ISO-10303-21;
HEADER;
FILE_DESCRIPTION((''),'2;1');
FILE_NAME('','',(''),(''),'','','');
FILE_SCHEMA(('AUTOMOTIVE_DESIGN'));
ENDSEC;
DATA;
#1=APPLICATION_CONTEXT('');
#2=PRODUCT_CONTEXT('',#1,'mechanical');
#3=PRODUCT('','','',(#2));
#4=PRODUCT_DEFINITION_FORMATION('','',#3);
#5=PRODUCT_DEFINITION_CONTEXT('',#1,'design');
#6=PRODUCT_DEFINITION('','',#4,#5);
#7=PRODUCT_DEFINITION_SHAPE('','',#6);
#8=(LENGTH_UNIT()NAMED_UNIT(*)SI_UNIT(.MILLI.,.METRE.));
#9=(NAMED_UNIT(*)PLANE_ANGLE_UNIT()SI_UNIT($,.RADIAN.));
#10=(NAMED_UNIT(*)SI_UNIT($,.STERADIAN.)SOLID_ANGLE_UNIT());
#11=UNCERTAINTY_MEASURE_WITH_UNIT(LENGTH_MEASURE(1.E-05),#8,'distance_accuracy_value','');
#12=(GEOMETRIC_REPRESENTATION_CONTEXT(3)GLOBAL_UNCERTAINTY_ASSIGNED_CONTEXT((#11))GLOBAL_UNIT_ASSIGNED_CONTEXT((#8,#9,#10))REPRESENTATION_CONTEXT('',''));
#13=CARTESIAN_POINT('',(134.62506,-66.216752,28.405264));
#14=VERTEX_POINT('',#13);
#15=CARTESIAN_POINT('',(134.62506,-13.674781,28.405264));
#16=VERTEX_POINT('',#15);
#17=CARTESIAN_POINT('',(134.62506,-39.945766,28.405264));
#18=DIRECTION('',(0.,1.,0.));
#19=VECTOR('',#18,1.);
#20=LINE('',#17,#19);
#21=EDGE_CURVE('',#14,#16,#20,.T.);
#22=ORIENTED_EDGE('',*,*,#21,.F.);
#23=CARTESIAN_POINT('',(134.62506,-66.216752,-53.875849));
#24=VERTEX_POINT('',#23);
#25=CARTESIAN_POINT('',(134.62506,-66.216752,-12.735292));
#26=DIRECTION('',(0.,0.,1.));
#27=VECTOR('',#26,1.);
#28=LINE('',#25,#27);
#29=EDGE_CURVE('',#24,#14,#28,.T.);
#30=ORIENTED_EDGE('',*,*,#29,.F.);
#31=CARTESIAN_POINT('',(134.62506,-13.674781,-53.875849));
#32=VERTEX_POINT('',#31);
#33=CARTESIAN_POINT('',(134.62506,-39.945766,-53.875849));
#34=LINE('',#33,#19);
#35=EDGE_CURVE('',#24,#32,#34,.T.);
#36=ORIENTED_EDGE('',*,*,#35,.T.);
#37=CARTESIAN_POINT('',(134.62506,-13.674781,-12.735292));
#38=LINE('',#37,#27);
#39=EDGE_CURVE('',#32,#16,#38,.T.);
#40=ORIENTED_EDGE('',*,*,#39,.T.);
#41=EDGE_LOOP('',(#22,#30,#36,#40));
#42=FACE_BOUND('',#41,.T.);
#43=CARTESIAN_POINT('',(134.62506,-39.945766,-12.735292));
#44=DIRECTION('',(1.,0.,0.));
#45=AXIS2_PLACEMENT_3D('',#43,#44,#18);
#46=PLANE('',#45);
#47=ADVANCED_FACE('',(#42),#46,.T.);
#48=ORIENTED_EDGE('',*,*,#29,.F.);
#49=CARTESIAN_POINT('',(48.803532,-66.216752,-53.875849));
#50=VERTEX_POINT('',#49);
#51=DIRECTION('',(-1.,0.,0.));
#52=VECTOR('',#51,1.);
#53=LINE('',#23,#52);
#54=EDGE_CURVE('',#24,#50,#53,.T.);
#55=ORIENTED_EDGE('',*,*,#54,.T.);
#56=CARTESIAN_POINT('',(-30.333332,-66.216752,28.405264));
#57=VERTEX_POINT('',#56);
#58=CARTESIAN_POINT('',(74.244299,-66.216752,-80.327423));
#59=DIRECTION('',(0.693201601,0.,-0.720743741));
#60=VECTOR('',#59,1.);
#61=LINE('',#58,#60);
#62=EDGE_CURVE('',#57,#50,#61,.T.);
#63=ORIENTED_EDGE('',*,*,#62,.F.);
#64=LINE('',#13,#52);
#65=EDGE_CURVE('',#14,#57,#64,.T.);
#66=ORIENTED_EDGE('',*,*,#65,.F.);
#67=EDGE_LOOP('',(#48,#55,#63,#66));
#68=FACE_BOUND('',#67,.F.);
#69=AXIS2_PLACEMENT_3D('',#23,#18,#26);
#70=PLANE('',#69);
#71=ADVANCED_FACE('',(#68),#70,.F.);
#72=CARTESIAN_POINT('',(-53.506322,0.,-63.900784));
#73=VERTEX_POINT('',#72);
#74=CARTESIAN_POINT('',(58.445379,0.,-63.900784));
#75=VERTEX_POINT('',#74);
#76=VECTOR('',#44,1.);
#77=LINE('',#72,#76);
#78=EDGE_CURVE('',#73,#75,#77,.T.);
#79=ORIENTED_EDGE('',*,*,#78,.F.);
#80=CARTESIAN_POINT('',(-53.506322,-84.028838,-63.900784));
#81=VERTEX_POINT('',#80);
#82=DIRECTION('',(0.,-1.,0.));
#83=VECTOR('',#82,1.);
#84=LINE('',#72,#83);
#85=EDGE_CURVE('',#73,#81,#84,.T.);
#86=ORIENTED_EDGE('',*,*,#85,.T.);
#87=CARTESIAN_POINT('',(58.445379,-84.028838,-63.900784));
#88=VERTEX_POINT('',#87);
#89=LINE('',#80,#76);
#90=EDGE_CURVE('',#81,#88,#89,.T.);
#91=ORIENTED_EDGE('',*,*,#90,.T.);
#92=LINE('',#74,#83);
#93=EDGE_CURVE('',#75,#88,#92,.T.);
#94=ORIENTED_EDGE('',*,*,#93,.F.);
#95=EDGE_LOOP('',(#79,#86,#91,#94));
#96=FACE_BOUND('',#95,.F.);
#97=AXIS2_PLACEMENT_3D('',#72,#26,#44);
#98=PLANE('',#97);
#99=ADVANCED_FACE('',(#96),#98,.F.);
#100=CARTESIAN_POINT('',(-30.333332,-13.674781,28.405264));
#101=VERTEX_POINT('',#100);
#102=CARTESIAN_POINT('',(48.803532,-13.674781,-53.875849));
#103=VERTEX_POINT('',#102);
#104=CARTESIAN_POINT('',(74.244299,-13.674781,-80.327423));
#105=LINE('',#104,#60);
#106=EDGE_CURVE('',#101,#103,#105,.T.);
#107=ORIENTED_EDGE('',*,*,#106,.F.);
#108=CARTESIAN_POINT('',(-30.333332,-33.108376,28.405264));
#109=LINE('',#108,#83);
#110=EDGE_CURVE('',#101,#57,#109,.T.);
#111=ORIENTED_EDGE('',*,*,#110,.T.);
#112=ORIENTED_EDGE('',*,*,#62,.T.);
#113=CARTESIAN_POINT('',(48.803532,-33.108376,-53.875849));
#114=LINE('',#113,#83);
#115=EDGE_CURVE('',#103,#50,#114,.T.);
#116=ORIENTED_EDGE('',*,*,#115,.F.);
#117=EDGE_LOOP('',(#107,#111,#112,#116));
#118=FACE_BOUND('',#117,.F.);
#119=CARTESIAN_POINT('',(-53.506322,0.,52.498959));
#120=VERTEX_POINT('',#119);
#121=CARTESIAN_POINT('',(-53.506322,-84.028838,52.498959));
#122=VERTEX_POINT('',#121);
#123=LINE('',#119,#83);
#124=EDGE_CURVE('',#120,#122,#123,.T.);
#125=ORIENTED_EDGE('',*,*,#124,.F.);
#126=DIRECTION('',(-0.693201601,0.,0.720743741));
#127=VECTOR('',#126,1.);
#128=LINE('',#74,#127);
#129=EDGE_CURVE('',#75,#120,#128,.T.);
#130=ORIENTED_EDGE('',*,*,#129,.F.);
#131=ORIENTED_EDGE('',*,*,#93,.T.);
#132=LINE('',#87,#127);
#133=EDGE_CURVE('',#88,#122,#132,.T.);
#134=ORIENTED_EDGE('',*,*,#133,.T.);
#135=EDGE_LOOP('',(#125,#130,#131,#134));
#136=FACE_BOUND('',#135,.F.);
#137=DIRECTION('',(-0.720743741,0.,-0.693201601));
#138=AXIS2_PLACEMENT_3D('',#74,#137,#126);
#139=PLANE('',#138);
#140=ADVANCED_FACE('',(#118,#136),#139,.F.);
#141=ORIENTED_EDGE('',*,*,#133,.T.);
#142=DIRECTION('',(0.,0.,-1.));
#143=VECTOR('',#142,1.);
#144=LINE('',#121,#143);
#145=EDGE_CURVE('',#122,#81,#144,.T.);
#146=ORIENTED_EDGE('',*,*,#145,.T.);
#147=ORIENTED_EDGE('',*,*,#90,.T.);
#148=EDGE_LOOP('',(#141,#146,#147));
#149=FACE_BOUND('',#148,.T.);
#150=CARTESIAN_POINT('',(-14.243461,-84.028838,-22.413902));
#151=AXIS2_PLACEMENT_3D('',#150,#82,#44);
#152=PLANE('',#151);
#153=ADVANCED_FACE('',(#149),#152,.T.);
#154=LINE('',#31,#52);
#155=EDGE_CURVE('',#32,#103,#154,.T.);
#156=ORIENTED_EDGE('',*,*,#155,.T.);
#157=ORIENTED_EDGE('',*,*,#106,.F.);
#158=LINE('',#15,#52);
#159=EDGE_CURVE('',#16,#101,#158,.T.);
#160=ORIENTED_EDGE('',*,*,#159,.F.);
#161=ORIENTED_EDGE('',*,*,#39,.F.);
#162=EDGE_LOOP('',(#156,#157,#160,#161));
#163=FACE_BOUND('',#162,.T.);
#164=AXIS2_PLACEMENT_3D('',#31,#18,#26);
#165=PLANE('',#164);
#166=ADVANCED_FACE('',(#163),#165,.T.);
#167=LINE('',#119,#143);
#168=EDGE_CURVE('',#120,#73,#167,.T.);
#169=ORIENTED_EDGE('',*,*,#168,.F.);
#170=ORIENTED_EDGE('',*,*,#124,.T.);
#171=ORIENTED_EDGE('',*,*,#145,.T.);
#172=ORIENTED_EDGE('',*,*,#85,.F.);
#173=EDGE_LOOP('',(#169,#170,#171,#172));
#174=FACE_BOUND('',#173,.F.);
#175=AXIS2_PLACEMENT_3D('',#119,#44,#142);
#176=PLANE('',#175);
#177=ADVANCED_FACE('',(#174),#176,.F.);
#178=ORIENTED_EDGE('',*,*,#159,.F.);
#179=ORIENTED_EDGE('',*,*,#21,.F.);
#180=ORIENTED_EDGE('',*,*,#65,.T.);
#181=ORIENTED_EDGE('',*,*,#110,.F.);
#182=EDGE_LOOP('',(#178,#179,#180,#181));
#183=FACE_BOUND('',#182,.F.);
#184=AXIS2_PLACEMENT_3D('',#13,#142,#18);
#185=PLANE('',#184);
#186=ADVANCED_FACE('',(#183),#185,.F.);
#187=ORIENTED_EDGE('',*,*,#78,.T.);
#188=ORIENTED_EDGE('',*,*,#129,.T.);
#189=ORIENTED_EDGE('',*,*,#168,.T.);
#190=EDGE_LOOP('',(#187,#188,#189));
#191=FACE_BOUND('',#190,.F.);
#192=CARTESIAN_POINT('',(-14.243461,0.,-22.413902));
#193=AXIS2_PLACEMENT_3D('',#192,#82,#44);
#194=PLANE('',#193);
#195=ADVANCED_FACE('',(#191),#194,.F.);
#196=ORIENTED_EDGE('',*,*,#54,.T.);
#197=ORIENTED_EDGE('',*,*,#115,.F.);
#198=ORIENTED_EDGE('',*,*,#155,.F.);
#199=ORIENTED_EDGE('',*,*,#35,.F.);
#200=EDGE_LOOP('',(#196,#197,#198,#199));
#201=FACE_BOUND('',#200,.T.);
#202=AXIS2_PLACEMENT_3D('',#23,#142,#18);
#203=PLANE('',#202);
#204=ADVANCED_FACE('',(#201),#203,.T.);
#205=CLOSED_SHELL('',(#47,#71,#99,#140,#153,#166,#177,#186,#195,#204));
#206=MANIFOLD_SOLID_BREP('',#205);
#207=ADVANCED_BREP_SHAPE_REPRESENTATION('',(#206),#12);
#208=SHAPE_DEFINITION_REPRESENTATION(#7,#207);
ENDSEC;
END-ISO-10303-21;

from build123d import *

# Parameters (mm, degrees)
F1_DEPTH = 84.0288382024
F4_W     = 52.5419712067
F4_H     = 82.2811126709


with BuildPart() as f1:
    # F0 (on Front) → F1 (new body)
    with BuildSketch(Plane.XZ):
        Polygon((58.445379138, -63.900783658), (-53.5063222051, 52.4989590049), (-53.5063222051, -63.900783658), align=None)
    extrude(amount=F1_DEPTH)

    # F4 (on offset) → F5 (join, up to the next surface of F1)
    with BuildSketch(Plane.YZ.offset(134.6250604838)):
        with Locations((-39.9457663298, -12.7352923155)):
            Rectangle(F4_W, F4_H)
    extrude(until=Until.NEXT, dir=(-1, 0, 0))


solid = f1.part
